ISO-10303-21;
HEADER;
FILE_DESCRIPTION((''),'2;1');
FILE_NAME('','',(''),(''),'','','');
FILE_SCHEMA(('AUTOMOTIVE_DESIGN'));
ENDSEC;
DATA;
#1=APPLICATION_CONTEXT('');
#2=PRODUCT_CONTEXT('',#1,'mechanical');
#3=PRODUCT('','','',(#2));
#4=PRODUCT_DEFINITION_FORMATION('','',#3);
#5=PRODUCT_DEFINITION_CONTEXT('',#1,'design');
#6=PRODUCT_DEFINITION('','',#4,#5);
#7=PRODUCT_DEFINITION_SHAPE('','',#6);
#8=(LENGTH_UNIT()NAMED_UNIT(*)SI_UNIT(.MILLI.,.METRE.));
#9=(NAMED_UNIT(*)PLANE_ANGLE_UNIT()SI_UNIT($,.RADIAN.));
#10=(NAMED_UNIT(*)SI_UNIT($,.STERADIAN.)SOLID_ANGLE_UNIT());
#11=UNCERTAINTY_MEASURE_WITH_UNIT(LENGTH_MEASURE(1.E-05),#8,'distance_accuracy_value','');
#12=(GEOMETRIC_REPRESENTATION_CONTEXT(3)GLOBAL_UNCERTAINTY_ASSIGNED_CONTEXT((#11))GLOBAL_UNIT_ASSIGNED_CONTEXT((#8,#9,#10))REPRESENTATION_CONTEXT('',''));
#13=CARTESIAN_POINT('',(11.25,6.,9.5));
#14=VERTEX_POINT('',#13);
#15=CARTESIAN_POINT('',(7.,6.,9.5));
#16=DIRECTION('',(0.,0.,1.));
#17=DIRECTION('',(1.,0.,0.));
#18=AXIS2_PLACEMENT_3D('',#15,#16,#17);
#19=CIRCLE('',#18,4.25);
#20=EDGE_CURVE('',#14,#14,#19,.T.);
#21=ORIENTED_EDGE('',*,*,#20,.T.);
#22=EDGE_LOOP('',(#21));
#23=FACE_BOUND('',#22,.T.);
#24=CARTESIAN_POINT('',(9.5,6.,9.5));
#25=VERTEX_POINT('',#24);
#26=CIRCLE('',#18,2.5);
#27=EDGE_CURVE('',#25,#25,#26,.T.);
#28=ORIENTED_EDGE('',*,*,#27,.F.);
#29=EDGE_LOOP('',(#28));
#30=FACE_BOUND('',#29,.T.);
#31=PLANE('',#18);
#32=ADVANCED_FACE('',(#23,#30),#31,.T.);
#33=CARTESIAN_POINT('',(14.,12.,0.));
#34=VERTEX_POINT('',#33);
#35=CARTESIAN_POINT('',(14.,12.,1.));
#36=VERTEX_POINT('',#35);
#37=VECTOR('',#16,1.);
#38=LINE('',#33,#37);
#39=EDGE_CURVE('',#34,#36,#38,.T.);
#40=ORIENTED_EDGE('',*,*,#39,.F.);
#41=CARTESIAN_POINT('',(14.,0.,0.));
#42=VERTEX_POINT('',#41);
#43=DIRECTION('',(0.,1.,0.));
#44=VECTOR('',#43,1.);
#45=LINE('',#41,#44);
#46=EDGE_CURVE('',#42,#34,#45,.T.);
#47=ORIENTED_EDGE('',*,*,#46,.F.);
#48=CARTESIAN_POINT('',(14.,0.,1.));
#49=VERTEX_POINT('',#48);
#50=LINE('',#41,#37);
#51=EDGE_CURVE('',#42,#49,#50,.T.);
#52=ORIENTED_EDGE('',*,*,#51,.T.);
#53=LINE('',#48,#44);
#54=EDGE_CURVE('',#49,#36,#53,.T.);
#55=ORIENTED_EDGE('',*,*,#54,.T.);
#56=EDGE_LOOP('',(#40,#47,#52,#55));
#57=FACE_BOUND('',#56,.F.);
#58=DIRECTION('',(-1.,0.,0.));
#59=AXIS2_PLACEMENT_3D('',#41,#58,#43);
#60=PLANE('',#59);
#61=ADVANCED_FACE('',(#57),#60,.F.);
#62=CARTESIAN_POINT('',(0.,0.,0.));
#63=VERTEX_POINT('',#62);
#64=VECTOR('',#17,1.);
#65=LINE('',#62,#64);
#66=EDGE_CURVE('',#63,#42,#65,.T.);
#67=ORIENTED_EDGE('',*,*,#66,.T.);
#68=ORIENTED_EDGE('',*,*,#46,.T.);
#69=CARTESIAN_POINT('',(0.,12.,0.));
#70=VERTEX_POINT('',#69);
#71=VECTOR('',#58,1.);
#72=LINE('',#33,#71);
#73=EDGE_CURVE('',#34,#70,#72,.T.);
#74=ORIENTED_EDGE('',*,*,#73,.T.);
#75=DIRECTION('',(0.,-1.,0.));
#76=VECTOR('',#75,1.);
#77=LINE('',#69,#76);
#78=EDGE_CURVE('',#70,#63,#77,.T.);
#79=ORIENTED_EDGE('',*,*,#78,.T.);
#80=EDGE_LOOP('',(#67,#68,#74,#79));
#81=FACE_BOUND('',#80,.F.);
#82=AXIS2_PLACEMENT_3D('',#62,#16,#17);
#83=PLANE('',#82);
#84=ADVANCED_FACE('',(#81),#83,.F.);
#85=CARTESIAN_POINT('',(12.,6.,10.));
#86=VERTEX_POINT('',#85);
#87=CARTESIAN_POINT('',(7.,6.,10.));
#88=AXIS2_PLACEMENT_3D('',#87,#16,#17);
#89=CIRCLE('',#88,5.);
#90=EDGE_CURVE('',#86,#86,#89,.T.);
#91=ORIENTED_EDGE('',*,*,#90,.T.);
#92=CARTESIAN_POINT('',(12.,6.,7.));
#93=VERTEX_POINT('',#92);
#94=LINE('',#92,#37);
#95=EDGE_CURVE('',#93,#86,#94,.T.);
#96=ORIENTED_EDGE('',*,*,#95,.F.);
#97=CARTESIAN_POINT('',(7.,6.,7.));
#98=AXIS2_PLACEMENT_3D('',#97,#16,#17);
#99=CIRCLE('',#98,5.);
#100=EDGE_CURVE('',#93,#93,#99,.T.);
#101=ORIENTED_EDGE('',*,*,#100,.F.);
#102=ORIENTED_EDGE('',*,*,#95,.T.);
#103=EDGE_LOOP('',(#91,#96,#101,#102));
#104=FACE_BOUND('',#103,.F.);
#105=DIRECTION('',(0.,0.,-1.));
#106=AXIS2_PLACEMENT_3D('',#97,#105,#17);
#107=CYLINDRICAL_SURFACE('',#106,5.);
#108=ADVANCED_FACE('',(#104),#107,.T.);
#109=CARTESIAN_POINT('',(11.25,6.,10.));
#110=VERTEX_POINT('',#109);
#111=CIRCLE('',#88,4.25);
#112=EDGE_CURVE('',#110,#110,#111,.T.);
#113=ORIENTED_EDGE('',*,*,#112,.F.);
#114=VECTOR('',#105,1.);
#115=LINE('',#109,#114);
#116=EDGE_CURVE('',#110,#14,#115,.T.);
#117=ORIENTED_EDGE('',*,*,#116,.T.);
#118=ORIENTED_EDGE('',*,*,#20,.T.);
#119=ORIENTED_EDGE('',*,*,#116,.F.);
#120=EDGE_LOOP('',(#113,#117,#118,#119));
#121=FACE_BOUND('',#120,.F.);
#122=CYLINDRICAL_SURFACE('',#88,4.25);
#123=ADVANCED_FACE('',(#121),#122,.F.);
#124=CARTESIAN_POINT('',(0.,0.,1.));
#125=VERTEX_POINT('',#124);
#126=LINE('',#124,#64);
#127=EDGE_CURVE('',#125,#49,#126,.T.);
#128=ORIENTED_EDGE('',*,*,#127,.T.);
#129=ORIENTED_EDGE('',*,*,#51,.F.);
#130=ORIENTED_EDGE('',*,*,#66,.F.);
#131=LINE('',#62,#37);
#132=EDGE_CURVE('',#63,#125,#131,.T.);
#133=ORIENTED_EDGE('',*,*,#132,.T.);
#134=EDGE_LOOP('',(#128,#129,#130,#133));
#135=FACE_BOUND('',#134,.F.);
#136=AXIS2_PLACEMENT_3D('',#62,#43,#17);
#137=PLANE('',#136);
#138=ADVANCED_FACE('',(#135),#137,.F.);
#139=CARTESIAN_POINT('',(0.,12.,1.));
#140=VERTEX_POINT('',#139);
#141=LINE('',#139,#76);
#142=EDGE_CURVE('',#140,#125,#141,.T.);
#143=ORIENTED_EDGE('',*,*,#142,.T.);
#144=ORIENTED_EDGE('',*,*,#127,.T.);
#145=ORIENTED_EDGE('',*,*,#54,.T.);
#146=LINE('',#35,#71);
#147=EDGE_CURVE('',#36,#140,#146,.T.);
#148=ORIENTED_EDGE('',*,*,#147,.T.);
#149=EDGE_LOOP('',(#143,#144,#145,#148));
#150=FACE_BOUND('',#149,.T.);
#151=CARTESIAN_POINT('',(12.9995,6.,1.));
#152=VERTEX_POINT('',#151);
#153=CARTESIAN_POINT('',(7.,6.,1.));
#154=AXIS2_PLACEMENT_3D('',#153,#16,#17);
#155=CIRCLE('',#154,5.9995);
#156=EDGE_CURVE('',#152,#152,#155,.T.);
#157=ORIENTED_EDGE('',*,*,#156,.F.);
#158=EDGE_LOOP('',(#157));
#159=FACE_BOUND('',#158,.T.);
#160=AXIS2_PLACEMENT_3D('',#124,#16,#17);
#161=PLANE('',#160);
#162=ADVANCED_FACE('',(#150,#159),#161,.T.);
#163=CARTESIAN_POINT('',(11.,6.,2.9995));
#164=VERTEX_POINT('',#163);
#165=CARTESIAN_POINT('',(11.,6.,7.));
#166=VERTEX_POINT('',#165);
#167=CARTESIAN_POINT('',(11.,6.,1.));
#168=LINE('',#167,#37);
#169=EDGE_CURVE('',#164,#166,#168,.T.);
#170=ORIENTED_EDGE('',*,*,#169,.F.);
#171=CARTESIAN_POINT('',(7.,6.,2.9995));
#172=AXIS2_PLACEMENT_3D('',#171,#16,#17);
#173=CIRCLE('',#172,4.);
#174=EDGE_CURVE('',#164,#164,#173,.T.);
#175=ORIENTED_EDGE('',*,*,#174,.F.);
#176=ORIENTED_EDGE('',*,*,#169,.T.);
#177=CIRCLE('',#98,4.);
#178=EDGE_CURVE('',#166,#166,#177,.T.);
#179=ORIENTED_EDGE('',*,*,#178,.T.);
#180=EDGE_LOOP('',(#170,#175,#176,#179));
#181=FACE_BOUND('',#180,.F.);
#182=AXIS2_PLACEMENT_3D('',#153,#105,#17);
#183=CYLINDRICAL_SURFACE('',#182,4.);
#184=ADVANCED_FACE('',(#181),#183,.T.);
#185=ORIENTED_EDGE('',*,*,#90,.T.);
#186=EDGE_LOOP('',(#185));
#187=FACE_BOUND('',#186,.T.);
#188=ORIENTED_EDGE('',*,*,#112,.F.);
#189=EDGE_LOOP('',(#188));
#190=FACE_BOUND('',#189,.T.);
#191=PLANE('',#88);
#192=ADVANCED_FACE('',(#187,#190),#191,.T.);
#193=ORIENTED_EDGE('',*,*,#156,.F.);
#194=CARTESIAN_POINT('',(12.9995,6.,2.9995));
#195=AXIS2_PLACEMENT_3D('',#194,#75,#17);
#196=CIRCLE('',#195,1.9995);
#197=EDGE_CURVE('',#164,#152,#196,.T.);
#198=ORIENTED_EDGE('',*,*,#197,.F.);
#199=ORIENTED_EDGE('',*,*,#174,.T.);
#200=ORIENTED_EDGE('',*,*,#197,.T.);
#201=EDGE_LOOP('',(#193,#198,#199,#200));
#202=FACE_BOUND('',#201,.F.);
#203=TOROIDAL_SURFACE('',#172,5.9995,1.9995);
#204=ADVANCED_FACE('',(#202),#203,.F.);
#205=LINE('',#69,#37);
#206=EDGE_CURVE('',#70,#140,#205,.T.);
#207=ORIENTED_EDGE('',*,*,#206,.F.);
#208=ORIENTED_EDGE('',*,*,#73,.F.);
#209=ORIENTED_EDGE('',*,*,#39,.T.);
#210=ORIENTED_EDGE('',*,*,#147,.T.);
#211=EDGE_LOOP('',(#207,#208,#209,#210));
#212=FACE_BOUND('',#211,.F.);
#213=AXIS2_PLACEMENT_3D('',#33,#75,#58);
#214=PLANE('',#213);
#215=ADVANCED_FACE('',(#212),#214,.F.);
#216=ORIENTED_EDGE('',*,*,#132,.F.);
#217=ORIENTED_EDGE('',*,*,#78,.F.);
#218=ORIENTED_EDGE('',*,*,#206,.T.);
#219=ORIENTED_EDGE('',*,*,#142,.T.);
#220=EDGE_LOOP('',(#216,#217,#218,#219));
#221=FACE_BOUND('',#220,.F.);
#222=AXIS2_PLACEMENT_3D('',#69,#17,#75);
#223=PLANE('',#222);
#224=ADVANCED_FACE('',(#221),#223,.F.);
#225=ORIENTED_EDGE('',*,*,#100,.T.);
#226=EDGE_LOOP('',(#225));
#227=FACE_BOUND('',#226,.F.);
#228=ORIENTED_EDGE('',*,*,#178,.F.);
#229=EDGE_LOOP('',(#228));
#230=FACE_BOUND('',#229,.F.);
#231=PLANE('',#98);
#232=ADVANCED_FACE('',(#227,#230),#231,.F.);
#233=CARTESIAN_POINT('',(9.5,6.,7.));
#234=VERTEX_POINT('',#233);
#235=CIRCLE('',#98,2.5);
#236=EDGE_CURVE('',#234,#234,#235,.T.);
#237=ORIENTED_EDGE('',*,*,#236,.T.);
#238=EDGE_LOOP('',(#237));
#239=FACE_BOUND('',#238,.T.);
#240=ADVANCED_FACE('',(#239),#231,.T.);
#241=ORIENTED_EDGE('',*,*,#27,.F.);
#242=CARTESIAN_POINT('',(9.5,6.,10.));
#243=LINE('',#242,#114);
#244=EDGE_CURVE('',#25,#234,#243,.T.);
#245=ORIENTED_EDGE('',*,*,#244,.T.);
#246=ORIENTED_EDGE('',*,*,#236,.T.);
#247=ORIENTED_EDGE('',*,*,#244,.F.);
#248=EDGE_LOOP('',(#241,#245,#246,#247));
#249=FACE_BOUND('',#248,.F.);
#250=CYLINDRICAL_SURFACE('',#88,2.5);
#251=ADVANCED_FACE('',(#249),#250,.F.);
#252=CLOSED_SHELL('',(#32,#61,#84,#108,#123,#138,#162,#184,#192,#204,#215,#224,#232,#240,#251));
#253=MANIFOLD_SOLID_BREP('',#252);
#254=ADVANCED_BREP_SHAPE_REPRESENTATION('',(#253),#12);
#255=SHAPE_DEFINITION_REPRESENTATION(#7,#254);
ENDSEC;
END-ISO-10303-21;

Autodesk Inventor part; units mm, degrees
ref_plane "YZ Plane" through (0, 0, 0) normal (1, 0, 0) x (0, 1, 0)
ref_plane "XZ Plane" through (0, 0, 0) normal (0, 1, 0) x (-1, 0, 0)
ref_plane "XY Plane" through (0, 0, 0) normal (0, 0, 1) x (1, 0, 0)
sketch "Sketch1" plane through (0, 0, 0) normal (0, 0, 1) x (1, 0, 0)
  line L0 (0, 0) -> (14, 0)
  line L1 (14, 0) -> (14, 12)
  line L2 (14, 12) -> (0, 12)
  line L3 (0, 12) -> (0, 0)
  dimension "d0" = 14
  dimension "d1" = 12
extrude "Extrusion1" add sketch "Sketch1" along normal blind 1
sketch "Sketch2" plane through (0, 0, 1) normal (0, 0, 1) x (1, 0, 0)
  line L0 (0, 0) -> (14, 0) construction
  line L1 (14, 0) -> (14, 12) construction
  line L2 (14, 12) -> (0, 12) construction
  line L3 (0, 12) -> (0, 0) construction
  circle A0 centre (7, 6) radius 4
  dimension "d4" = 8
extrude "Extrusion2" add sketch "Sketch2" along normal blind 6
sketch "Sketch3" plane through (7, 6, 7) normal (0, 0, 1) x (1, 0, 0)
  circle A0 centre (0, 0) radius 5
  circle A1 centre (0, 0) radius 3
  circle A2 centre (0, 0) radius 4
  point P0 (-7, -6)
  dimension "d7" = 10
  dimension "d8" = 6
extrude "Extrusion3" add sketch "Sketch3" along normal blind 3 contours A0 | A1 | A2
sketch "Sketch4" plane through (7, 6, 10) normal (0, 0, 1) x (1, 0, 0)
  circle A0 centre (0, 0) radius 2.5
  circle A1 centre (0, 0) radius 4.25
  circle A2 centre (0, 0) radius 5 projected
  point P0 (-7, -6)
  dimension "d11" = 5
  dimension "d12" = 8.5
extrude "Extrusion4" cut sketch "Sketch4" against normal blind 3 contours A0
extrude "Extrusion5" cut sketch "Sketch4" against normal blind 0.5 contours A1
fillet "Fillet1" radius 2 1 edges at (3, 6, 1)
properties part number "Camera" material "ABS Plastic"
